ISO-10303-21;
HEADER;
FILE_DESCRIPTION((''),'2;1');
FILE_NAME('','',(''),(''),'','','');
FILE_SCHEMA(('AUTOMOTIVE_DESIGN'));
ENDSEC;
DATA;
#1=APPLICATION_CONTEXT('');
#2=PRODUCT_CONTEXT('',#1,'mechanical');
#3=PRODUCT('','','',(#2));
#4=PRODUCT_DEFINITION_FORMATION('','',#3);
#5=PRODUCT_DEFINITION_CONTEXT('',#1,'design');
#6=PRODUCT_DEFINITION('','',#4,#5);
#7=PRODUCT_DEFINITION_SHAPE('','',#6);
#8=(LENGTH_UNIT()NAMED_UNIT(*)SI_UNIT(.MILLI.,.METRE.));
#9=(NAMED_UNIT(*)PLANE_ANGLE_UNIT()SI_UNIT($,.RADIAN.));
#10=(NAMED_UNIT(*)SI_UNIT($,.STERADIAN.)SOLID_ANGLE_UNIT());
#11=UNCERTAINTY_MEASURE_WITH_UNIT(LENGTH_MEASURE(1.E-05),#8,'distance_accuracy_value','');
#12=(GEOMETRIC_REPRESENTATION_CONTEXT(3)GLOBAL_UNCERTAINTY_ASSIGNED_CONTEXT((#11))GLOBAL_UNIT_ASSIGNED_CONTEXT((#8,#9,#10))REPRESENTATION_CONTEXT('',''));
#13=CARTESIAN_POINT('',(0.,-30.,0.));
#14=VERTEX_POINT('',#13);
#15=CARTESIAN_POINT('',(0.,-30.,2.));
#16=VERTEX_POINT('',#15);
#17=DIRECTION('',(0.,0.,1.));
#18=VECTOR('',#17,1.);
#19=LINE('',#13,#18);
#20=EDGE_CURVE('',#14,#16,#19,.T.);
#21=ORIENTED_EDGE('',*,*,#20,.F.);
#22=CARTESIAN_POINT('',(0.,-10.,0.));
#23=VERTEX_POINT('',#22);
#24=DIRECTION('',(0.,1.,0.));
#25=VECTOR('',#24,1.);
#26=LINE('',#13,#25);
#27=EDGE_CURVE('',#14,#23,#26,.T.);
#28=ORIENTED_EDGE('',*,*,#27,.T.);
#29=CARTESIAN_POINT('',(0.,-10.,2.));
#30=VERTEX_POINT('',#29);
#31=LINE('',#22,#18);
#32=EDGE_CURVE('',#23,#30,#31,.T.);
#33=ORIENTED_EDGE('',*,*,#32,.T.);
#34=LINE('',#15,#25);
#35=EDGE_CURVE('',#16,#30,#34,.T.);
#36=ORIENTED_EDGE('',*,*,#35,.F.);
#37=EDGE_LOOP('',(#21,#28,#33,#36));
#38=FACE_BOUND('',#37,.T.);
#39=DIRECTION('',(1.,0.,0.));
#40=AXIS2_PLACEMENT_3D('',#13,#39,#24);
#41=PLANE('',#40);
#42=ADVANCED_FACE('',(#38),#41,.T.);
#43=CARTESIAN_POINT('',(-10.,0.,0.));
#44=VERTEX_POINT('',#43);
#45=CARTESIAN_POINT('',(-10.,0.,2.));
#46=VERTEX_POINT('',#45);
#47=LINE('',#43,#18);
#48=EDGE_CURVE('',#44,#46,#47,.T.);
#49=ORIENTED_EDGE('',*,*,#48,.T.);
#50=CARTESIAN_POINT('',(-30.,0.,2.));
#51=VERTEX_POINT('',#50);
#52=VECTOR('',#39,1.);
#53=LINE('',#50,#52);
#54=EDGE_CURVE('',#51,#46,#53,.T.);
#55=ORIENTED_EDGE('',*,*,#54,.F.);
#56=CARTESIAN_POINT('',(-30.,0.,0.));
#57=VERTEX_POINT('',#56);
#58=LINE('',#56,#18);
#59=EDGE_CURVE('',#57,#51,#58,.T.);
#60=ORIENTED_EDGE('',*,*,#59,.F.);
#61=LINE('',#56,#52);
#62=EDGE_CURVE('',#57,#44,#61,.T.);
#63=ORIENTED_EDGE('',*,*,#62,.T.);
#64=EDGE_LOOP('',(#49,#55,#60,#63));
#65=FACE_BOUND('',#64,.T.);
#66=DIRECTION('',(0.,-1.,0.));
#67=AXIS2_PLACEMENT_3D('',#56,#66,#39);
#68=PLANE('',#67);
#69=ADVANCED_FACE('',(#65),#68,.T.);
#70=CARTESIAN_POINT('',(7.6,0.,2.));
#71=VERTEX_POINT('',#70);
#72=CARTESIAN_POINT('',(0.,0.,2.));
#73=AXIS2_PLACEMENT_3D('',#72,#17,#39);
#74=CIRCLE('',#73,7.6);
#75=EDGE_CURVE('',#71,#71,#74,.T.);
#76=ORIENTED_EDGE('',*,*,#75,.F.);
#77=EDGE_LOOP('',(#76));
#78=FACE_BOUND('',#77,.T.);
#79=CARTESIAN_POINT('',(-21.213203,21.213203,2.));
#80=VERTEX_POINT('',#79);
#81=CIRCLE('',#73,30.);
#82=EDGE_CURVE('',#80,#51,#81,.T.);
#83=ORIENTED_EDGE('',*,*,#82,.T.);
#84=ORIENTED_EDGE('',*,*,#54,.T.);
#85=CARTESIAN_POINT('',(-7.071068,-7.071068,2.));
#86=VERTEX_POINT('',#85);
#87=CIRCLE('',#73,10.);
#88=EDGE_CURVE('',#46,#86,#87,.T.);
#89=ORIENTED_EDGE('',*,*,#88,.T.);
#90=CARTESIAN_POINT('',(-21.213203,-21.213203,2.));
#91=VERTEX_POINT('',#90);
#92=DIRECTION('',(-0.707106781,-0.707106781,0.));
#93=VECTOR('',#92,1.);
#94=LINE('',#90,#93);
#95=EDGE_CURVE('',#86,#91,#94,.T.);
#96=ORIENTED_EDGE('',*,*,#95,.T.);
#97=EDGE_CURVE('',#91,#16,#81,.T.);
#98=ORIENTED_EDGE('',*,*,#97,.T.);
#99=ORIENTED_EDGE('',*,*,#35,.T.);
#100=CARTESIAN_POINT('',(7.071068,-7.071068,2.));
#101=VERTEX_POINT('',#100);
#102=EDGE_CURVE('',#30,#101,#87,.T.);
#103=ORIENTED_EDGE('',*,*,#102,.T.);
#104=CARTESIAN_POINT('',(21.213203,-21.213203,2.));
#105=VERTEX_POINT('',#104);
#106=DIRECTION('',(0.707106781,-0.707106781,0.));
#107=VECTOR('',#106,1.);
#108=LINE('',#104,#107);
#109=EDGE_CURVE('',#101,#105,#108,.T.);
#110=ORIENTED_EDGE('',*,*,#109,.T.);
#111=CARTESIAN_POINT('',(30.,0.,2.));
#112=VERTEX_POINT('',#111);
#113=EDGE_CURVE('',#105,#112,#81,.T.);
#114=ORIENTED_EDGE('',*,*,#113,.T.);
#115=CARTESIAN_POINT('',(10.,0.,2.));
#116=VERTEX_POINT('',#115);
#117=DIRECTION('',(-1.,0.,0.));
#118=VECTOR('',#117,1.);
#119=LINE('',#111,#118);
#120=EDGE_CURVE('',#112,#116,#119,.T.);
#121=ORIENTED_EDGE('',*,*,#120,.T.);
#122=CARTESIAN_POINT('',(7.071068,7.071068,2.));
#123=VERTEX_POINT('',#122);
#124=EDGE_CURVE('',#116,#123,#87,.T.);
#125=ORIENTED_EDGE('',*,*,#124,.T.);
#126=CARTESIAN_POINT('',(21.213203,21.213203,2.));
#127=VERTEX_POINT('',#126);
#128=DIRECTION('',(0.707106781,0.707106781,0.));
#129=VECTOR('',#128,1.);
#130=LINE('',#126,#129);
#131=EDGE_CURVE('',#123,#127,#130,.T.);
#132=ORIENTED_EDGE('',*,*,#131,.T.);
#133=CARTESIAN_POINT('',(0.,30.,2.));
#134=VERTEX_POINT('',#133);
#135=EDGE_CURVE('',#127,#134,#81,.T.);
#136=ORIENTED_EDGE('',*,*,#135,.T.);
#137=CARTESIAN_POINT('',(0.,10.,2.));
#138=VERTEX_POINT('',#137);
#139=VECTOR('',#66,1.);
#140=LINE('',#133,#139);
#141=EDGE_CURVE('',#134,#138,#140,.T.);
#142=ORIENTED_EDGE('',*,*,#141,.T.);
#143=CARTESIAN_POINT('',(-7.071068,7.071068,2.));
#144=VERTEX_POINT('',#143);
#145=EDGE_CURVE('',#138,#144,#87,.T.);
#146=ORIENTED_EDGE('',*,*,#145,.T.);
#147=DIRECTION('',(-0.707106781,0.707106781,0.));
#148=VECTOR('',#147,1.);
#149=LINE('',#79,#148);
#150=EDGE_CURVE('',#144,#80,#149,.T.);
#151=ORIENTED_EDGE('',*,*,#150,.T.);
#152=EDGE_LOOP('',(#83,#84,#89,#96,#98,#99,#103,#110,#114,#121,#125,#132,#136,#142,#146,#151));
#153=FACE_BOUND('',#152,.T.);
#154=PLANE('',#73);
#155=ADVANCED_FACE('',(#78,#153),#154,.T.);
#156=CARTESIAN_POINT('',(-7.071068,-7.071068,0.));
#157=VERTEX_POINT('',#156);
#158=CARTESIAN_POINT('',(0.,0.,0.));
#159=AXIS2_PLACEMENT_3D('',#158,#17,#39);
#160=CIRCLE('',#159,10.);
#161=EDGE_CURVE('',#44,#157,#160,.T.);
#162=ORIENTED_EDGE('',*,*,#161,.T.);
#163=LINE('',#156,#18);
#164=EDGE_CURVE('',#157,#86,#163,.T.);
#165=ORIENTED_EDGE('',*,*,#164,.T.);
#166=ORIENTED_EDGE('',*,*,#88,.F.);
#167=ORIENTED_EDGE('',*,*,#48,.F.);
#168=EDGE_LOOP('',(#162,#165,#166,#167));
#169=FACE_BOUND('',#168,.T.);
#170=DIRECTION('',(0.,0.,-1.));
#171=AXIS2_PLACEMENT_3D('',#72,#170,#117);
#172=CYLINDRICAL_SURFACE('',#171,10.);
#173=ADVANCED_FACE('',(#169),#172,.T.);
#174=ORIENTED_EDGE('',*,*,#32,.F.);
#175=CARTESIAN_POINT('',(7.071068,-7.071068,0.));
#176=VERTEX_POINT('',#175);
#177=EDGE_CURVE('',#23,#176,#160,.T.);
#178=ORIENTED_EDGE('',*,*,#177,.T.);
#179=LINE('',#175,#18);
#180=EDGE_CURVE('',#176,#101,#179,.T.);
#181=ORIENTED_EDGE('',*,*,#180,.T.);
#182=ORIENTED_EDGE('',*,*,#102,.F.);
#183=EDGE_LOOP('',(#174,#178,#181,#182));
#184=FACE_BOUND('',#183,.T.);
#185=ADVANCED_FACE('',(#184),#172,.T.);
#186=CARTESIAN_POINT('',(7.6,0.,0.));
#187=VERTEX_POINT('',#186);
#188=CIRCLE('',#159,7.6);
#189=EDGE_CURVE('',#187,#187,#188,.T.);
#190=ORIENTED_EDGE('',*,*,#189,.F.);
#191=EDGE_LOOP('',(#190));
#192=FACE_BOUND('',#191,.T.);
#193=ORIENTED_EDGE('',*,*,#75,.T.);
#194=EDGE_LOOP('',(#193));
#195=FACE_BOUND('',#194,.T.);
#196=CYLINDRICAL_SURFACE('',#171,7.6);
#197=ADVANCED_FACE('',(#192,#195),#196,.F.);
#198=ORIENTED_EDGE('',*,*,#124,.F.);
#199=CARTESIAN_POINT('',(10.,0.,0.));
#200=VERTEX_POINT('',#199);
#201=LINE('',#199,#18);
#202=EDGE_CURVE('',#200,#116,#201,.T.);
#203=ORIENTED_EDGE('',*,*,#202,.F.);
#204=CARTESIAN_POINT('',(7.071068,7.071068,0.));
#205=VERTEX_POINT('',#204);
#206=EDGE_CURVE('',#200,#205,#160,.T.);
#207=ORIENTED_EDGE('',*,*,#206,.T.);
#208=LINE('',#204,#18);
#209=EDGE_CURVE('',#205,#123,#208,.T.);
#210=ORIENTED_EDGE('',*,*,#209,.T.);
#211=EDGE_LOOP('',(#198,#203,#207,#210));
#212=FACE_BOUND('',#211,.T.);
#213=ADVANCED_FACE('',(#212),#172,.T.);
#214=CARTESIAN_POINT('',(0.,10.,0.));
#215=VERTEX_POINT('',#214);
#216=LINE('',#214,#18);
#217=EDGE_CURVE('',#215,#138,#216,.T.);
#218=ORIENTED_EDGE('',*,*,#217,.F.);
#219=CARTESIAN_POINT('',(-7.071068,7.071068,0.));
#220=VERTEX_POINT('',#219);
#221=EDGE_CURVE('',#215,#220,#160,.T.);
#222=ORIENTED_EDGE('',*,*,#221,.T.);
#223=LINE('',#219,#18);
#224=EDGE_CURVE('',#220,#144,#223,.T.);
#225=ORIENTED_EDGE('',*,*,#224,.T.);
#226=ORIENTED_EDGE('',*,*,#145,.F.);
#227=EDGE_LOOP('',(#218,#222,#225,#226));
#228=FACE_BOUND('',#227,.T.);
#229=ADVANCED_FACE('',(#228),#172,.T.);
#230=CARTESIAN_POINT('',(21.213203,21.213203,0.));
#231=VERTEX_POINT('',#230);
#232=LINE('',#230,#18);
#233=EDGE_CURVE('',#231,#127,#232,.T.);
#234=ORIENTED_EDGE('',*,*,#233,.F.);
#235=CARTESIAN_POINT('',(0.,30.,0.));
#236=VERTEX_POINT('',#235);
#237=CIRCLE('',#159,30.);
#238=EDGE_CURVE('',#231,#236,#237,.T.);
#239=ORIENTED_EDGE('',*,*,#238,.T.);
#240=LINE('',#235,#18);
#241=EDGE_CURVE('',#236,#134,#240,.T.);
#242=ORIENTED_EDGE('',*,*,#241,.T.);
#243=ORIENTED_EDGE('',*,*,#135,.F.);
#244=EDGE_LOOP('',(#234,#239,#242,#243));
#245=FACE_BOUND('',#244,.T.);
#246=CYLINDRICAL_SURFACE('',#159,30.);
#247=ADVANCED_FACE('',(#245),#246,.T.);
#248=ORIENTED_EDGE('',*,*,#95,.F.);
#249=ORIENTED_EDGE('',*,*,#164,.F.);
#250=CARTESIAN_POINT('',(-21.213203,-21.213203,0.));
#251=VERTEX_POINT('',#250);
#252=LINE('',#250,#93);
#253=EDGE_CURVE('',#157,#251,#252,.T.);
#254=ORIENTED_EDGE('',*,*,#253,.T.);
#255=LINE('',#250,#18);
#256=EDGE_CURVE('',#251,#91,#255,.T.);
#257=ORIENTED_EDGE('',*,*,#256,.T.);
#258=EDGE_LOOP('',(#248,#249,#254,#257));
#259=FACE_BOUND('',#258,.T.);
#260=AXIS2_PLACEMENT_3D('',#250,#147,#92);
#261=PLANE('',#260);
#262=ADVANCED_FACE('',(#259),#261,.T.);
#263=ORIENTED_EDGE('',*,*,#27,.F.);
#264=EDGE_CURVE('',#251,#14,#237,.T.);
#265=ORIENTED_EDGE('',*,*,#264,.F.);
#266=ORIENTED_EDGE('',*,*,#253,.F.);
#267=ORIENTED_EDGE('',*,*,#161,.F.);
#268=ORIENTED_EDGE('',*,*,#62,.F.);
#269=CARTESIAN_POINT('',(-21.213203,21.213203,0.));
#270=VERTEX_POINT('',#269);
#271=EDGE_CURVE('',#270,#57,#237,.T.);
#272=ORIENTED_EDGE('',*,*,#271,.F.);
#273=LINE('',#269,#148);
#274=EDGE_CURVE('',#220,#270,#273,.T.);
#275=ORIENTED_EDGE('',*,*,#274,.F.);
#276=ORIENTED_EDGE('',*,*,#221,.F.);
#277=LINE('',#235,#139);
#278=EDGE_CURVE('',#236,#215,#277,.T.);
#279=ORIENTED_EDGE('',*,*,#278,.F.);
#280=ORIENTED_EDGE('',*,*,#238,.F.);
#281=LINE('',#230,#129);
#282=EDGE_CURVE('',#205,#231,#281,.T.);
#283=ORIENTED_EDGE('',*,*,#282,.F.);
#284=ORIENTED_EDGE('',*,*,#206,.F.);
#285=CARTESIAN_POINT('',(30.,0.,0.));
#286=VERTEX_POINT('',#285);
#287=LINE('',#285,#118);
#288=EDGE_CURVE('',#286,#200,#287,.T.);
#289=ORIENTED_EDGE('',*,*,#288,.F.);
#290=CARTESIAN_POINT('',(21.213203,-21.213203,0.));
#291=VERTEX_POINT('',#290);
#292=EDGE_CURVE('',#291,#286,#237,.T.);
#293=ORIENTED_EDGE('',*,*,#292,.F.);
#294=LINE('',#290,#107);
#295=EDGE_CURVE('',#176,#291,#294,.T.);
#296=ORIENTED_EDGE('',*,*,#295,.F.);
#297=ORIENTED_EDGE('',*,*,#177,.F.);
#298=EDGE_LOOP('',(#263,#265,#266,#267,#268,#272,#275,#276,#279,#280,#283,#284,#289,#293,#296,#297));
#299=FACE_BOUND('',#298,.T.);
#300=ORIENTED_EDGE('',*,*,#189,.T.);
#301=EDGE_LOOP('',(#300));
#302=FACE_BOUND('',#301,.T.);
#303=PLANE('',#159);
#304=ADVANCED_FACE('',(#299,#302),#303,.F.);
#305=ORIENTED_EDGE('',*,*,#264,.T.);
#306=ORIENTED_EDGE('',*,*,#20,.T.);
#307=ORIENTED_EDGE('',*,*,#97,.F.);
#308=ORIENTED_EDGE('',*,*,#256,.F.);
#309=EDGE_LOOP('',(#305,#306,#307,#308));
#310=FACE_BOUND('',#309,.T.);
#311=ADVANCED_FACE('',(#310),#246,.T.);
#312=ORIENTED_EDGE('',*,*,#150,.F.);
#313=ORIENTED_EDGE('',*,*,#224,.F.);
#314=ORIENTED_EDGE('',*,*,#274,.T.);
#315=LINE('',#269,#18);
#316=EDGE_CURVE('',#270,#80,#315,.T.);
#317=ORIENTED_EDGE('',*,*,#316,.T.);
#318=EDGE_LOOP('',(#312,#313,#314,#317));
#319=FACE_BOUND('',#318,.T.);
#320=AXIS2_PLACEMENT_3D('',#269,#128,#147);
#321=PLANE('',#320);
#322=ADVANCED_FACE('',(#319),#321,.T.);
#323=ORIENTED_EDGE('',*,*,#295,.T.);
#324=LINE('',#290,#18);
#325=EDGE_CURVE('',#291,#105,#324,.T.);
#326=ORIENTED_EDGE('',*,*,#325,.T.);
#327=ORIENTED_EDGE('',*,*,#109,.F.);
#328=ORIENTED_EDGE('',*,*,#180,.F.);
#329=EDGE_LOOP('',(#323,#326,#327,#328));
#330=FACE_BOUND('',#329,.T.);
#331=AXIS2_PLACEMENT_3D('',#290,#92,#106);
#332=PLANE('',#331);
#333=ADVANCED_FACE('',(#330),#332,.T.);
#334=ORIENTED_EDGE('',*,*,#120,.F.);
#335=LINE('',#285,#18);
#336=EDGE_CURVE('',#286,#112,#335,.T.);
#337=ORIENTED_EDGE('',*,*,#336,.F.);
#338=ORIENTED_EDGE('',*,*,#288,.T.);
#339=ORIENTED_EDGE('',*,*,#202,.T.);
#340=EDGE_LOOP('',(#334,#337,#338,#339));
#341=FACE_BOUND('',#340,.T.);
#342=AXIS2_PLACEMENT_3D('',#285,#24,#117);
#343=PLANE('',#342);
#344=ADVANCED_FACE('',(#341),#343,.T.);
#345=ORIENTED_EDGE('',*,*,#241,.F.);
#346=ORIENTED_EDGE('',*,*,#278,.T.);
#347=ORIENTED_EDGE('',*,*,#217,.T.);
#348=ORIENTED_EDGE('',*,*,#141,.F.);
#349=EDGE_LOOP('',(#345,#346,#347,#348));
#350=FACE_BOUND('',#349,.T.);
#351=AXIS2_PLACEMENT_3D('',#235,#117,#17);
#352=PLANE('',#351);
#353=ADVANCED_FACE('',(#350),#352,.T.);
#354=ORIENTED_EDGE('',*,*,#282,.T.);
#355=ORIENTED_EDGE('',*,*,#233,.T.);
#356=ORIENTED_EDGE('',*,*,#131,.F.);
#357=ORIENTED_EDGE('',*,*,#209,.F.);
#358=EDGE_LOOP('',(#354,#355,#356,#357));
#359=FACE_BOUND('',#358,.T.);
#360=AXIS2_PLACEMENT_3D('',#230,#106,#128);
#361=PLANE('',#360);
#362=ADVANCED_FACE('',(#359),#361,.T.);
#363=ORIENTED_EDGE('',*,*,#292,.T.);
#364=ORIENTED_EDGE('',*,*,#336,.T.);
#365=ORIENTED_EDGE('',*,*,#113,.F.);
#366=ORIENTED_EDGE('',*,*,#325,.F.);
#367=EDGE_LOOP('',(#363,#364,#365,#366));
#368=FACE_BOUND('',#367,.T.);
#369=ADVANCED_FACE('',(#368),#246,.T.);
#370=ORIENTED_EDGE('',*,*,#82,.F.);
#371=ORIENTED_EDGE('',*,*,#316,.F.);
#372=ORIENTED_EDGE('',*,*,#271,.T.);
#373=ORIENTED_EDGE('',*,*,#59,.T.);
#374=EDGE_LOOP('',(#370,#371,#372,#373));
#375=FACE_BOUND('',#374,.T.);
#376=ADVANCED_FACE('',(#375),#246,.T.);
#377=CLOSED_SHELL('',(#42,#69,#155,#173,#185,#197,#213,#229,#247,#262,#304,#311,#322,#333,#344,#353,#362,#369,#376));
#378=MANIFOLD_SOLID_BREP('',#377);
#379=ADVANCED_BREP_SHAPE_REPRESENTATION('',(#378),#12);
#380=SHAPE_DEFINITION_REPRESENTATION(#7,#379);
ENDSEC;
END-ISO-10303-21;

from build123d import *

# Parameters (mm, degrees)
SKETCH_1_R      = 10
SKETCH_1_R_2    = 7.6
EXTRUDE_1_DEPTH = 2
EXTRUDE_START   = -2
EXTRUDE_2_DEPTH = 2


with BuildPart() as part:
    # ｽｹｯﾁ1 → ﾎﾞｽ - 押し出し1 (new body)
    with BuildSketch(Plane.XY):
        Circle(SKETCH_1_R)
        Circle(SKETCH_1_R_2, mode=Mode.SUBTRACT)
    extrude(amount=EXTRUDE_1_DEPTH)

    # ｽｹｯﾁ2 → ﾎﾞｽ - 押し出し2 (add)
    with BuildSketch(Plane.XY.offset(2).offset(EXTRUDE_START)):
        with BuildLine():
            Line((0, 30), (0, 10))
            ThreePointArc((0, 10), (3.826834324, 9.238795325), (7.071067812, 7.071067812))
            Line((7.071067812, 7.071067812), (21.213203436, 21.213203436))
            ThreePointArc((21.213203436, 21.213203436), (11.480502971, 27.716385975), (0, 30))
        make_face()
        with BuildLine():
            Line((21.213203436, -21.213203436), (7.071067812, -7.071067812))
            ThreePointArc((7.071067812, -7.071067812), (9.238795325, -3.826834324), (10, 0))
            Line((10, 0), (30, 0))
            ThreePointArc((30, 0), (27.716385975, -11.480502971), (21.213203436, -21.213203436))
        make_face()
        with BuildLine():
            Line((-21.213203436, -21.213203436), (-7.071067812, -7.071067812))
            ThreePointArc((-7.071067812, -7.071067812), (-3.826834324, -9.238795325), (0, -10))
            Line((0, -10), (0, -30))
            ThreePointArc((0, -30), (-11.480502971, -27.716385975), (-21.213203436, -21.213203436))
        make_face()
        with BuildLine():
            Line((-21.213203436, 21.213203436), (-7.071067812, 7.071067812))
            ThreePointArc((-7.071067812, 7.071067812), (-9.238795325, 3.826834324), (-10, 0))
            Line((-10, 0), (-30, 0))
            ThreePointArc((-30, 0), (-27.716385975, 11.480502971), (-21.213203436, 21.213203436))
        make_face()
    extrude(amount=EXTRUDE_2_DEPTH)


solid = part.part
